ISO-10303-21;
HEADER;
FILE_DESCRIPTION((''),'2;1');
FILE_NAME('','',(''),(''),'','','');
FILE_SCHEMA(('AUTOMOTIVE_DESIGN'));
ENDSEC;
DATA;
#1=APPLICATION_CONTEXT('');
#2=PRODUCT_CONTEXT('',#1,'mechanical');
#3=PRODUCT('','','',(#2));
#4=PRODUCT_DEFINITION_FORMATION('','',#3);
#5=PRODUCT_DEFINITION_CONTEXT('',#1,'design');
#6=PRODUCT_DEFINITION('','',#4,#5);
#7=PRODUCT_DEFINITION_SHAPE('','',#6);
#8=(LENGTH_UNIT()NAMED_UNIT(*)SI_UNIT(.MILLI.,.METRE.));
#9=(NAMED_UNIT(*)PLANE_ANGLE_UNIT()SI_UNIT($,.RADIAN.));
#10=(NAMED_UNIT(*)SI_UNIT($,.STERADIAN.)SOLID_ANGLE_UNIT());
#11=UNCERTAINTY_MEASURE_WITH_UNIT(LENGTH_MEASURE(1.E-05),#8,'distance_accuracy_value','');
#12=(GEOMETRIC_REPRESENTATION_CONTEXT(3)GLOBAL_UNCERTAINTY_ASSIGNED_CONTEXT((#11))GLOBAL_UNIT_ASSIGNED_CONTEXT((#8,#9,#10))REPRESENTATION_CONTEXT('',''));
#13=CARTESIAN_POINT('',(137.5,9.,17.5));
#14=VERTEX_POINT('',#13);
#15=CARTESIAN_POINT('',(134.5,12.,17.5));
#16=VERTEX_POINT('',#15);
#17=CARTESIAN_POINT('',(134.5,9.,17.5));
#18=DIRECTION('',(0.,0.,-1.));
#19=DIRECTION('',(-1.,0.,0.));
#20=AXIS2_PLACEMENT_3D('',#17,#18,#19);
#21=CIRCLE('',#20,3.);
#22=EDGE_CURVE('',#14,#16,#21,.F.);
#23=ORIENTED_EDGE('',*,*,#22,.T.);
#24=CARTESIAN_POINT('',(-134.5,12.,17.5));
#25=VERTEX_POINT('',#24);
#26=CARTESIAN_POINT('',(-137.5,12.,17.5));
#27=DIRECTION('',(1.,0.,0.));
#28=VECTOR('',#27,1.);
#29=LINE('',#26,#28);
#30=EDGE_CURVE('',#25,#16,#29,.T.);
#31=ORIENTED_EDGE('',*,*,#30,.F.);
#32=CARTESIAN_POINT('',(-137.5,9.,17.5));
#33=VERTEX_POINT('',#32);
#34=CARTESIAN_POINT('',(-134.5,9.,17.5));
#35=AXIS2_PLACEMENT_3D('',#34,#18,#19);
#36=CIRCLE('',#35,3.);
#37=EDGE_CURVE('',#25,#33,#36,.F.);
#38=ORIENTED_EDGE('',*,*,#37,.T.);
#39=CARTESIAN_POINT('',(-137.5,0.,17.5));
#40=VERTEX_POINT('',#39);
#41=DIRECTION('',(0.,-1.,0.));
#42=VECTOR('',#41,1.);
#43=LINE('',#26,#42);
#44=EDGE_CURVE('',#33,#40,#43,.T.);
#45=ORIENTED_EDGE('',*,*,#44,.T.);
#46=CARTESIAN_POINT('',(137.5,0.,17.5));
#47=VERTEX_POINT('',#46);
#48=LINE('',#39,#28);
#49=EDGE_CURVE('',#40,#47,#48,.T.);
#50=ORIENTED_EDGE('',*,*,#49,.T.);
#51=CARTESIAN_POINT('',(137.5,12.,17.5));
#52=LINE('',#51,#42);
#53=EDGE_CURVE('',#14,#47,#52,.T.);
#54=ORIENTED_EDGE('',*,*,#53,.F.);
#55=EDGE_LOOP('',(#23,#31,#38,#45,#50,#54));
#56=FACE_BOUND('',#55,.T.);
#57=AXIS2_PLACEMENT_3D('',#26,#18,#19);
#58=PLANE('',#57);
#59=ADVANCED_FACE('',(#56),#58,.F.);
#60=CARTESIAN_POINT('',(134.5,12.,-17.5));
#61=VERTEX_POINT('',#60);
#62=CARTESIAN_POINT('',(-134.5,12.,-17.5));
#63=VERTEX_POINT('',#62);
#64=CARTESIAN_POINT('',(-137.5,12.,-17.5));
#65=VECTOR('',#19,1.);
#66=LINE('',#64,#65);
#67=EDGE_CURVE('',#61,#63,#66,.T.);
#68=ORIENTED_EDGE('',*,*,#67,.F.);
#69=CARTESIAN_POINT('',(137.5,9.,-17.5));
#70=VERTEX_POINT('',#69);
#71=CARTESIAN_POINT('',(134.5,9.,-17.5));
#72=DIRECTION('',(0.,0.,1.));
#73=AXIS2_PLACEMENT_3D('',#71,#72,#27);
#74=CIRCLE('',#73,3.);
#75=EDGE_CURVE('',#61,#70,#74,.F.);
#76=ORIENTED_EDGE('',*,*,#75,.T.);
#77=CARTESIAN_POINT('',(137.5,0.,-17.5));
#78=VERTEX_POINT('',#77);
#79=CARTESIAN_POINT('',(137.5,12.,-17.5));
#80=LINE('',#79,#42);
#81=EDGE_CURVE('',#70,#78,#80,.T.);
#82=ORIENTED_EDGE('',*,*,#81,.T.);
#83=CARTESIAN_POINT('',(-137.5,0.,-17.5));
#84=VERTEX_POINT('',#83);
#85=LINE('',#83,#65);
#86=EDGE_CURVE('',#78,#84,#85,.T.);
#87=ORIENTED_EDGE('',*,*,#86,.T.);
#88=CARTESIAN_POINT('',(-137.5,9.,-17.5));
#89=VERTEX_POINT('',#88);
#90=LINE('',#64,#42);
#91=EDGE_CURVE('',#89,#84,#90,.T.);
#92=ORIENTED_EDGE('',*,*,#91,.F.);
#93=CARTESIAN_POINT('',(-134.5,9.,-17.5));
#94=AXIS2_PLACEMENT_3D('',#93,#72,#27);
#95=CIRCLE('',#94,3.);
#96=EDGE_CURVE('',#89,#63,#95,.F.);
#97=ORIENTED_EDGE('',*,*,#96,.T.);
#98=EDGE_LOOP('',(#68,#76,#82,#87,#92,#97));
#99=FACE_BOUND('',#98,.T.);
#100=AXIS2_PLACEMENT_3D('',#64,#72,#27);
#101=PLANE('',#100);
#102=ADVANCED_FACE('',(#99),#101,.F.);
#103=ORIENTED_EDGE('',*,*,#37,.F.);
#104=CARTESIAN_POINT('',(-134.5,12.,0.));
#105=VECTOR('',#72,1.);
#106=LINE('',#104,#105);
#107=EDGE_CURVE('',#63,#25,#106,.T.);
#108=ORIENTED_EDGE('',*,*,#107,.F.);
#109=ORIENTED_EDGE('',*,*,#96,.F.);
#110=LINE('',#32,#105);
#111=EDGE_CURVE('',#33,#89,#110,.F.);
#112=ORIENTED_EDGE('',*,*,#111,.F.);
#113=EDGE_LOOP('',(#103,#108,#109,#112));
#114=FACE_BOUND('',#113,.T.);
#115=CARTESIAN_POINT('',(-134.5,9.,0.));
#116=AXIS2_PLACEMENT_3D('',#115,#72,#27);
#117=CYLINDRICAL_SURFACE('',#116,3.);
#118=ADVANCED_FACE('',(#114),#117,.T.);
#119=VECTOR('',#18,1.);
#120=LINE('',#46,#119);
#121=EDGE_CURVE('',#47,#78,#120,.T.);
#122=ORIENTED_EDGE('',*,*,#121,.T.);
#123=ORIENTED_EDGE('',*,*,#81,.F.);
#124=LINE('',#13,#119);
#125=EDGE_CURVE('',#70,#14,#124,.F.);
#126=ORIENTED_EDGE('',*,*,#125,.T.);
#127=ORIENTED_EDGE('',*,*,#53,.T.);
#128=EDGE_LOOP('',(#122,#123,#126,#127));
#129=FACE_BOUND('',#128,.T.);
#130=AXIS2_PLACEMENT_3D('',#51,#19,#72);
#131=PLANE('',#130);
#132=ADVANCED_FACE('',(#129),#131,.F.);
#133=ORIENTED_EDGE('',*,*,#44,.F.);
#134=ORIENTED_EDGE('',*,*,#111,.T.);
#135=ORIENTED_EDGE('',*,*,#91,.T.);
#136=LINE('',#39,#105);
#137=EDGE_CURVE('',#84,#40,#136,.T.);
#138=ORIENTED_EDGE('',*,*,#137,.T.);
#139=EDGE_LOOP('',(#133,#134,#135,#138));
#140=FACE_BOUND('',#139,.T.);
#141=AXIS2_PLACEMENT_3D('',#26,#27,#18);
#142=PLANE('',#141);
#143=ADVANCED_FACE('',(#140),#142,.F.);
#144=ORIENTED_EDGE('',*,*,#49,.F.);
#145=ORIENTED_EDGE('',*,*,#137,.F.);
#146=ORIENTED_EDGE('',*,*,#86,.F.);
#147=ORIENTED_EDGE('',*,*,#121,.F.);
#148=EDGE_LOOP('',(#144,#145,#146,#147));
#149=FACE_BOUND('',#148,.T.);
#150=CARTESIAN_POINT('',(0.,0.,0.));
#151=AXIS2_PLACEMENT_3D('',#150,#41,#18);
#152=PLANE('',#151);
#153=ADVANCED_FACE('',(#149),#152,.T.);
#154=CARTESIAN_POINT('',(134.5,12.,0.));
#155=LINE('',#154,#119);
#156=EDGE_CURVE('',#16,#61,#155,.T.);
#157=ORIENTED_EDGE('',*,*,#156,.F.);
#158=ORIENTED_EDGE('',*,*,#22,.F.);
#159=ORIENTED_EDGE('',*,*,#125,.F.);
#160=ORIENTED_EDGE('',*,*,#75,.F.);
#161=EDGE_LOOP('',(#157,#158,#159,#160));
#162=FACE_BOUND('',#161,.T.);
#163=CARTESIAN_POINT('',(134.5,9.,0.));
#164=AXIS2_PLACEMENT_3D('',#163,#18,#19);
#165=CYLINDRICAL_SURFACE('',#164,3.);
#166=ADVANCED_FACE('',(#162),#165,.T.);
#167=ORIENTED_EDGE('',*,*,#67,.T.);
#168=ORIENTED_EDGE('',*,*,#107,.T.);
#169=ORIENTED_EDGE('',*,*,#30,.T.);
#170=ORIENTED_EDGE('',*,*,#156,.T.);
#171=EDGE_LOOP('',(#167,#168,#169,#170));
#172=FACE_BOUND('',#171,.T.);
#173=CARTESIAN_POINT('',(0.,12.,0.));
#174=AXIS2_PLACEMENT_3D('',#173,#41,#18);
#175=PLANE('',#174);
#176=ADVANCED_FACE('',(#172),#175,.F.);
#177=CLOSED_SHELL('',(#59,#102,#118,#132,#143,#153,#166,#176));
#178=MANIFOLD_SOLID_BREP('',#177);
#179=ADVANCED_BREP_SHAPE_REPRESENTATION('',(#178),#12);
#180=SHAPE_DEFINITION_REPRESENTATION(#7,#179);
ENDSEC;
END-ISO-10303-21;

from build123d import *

# Parameters (mm, degrees)
SKETCH_1_W      = 275
SKETCH_1_H      = 35
EXTRUDE_1_DEPTH = 12
FILLET_1_R      = 3


with BuildPart() as part:
    # 草图1 → 凸台-拉伸1 (new body)
    with BuildSketch(Plane(origin=(0, 0, 0), x_dir=(1, 0, 0), z_dir=(0, 1, 0))):
        Rectangle(SKETCH_1_W, SKETCH_1_H)
    extrude(amount=EXTRUDE_1_DEPTH)

    # 圆角1
    fillet_1_edges = [part.edges().sort_by_distance(p)[0] for p in [
        (-137.5, 12, 0),
        (137.5, 12, 0),
    ]]
    fillet(fillet_1_edges, radius=FILLET_1_R)


solid = part.part
